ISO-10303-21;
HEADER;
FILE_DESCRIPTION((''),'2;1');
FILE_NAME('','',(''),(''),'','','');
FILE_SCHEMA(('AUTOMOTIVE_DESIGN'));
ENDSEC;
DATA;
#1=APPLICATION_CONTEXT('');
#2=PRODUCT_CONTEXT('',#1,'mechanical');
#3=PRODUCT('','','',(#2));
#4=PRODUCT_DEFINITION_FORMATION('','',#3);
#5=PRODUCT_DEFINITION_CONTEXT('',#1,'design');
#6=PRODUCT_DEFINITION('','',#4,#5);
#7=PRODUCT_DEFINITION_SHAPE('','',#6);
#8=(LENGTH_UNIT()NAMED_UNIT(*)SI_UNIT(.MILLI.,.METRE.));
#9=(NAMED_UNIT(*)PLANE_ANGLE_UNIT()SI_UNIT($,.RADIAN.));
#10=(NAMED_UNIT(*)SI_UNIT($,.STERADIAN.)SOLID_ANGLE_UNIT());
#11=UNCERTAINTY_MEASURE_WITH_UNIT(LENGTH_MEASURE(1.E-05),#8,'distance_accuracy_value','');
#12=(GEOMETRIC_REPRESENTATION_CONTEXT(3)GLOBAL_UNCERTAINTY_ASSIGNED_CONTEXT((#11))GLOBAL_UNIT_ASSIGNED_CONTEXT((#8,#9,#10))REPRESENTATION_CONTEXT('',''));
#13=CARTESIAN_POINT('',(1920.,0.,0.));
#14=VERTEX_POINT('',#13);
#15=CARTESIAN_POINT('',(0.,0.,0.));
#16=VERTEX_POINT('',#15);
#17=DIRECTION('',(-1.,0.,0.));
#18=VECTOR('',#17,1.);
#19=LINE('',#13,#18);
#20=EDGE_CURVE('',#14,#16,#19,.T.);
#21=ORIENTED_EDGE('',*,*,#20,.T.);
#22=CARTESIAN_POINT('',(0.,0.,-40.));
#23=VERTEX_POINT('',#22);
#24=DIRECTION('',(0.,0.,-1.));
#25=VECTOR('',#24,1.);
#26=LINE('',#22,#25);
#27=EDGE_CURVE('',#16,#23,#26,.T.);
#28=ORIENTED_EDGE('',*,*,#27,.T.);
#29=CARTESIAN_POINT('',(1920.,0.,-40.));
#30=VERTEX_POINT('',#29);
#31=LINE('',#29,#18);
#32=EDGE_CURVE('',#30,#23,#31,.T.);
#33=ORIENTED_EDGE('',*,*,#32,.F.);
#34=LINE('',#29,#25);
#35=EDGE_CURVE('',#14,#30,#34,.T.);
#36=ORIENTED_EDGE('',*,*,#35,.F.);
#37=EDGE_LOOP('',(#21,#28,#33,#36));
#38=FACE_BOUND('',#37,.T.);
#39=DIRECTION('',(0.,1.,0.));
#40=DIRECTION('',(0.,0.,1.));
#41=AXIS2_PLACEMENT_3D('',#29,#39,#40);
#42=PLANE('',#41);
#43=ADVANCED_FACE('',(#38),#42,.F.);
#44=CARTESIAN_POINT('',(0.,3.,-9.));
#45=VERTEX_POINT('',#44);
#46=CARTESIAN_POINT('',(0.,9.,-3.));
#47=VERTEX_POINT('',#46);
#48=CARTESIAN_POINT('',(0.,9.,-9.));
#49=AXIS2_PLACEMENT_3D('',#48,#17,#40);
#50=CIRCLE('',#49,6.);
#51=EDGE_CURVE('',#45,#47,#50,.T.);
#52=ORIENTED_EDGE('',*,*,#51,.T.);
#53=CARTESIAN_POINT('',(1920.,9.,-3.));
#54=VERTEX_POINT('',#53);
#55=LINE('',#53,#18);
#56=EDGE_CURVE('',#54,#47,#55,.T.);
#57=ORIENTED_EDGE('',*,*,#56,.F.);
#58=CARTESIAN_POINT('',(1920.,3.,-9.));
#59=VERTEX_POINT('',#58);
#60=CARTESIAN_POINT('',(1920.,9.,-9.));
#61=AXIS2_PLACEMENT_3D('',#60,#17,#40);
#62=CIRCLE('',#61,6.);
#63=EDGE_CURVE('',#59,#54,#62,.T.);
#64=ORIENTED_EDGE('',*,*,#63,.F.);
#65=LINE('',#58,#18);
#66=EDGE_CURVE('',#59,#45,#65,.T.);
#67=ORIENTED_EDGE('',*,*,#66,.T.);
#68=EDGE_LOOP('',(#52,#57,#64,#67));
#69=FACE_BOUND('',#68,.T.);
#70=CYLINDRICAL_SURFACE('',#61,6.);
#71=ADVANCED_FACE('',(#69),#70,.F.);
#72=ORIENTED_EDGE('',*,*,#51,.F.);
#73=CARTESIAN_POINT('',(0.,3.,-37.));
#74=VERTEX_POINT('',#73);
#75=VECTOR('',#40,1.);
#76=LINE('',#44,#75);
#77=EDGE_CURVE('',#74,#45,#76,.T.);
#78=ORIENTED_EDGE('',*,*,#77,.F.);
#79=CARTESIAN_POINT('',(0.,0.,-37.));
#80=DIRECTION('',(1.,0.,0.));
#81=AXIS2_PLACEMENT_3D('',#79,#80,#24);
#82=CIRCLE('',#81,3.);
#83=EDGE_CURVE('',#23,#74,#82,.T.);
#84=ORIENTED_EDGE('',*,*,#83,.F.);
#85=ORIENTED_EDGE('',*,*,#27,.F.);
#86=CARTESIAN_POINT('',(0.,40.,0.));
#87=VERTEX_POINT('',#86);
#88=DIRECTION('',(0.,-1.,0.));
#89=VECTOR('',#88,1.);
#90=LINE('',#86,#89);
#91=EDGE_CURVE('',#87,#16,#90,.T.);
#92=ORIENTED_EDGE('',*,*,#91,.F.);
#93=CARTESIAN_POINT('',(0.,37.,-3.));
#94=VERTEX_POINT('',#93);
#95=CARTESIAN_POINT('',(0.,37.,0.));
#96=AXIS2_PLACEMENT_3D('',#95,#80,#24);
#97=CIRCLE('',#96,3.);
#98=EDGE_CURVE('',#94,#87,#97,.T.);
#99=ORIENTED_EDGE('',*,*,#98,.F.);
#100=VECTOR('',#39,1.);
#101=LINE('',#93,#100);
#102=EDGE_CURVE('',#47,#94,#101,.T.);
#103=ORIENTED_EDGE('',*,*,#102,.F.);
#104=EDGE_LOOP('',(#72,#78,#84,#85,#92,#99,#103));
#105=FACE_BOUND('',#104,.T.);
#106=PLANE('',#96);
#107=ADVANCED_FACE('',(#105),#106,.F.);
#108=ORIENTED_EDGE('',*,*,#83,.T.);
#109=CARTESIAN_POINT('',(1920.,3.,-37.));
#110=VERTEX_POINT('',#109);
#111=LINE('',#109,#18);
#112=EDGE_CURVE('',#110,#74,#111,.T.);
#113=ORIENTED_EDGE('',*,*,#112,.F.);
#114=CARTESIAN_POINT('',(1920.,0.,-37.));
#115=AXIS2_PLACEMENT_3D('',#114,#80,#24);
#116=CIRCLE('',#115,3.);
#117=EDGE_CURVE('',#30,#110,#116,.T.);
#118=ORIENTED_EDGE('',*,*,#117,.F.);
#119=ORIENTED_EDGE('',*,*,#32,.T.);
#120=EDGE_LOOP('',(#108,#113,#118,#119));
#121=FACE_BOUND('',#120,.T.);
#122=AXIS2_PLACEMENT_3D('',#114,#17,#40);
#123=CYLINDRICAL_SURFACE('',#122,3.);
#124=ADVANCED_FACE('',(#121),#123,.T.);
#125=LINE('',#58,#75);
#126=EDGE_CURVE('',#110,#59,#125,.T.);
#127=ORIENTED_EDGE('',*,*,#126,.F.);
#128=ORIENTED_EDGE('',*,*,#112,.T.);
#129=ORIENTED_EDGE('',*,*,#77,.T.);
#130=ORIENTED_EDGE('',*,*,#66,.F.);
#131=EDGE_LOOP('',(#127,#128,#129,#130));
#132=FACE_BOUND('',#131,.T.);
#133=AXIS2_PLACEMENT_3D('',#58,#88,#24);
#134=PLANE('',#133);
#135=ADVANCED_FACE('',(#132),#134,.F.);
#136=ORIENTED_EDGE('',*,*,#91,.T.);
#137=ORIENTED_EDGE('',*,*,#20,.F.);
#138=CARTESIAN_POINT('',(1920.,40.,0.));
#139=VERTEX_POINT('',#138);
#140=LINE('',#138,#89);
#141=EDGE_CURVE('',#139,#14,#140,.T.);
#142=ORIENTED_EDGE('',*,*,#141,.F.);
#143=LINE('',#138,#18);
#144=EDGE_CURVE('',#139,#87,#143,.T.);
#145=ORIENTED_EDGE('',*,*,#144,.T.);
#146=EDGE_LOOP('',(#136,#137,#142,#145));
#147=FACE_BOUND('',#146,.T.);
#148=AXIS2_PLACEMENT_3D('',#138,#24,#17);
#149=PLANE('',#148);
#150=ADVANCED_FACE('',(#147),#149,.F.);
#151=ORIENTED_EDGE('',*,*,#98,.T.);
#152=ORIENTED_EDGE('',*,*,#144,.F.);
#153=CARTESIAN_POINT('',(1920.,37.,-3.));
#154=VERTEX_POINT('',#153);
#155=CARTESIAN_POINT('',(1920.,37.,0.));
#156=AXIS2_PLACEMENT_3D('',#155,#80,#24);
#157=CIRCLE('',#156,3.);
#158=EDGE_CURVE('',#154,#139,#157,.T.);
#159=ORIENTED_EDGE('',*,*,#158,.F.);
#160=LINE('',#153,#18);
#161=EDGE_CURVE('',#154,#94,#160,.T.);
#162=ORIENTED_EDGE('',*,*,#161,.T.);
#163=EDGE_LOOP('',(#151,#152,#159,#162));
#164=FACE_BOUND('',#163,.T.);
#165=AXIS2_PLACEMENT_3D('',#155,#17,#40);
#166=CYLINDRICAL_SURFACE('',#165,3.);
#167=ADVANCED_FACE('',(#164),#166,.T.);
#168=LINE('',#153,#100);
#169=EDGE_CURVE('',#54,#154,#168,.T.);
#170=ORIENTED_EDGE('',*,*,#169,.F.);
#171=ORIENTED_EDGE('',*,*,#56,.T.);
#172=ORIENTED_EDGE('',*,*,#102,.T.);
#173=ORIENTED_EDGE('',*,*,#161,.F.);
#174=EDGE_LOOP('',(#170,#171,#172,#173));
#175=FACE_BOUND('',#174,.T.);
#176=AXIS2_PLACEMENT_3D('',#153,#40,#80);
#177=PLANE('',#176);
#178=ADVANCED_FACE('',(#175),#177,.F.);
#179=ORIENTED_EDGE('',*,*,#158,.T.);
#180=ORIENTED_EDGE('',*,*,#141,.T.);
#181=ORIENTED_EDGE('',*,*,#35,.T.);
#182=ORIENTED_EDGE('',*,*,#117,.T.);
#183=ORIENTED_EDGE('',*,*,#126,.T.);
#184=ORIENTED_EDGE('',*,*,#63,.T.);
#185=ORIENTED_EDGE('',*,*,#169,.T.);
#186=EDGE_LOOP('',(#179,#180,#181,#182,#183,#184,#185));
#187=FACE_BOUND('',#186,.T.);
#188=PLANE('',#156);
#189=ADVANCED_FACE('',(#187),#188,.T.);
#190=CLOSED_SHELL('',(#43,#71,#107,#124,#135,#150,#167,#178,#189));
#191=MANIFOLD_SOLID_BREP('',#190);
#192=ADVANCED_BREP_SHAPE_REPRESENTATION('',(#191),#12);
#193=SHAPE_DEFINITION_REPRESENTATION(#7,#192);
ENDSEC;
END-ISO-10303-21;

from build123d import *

# Parameters (mm, degrees)
L_ANGLE_EQUAL_40X40X3_2_DEPTH = 1920


with BuildPart() as part:
    # Sketch13 → L angle (equal) 40X40X3(2) (new body)
    with BuildSketch(Plane(origin=(0, 0, 0), x_dir=(0, 0, -1), z_dir=(1, 0, 0))):
        with BuildLine():
            Line((0, 40), (0, 0))
            Line((0, 0), (40, 0))
            ThreePointArc((40, 0), (39.121320344, 2.121320344), (37, 3))
            Line((37, 3), (9, 3))
            ThreePointArc((9, 3), (4.757359313, 4.757359313), (3, 9))
            Line((3, 9), (3, 37))
            ThreePointArc((3, 37), (2.121320344, 39.121320344), (0, 40))
        make_face()
    extrude(amount=L_ANGLE_EQUAL_40X40X3_2_DEPTH)


solid = part.part
